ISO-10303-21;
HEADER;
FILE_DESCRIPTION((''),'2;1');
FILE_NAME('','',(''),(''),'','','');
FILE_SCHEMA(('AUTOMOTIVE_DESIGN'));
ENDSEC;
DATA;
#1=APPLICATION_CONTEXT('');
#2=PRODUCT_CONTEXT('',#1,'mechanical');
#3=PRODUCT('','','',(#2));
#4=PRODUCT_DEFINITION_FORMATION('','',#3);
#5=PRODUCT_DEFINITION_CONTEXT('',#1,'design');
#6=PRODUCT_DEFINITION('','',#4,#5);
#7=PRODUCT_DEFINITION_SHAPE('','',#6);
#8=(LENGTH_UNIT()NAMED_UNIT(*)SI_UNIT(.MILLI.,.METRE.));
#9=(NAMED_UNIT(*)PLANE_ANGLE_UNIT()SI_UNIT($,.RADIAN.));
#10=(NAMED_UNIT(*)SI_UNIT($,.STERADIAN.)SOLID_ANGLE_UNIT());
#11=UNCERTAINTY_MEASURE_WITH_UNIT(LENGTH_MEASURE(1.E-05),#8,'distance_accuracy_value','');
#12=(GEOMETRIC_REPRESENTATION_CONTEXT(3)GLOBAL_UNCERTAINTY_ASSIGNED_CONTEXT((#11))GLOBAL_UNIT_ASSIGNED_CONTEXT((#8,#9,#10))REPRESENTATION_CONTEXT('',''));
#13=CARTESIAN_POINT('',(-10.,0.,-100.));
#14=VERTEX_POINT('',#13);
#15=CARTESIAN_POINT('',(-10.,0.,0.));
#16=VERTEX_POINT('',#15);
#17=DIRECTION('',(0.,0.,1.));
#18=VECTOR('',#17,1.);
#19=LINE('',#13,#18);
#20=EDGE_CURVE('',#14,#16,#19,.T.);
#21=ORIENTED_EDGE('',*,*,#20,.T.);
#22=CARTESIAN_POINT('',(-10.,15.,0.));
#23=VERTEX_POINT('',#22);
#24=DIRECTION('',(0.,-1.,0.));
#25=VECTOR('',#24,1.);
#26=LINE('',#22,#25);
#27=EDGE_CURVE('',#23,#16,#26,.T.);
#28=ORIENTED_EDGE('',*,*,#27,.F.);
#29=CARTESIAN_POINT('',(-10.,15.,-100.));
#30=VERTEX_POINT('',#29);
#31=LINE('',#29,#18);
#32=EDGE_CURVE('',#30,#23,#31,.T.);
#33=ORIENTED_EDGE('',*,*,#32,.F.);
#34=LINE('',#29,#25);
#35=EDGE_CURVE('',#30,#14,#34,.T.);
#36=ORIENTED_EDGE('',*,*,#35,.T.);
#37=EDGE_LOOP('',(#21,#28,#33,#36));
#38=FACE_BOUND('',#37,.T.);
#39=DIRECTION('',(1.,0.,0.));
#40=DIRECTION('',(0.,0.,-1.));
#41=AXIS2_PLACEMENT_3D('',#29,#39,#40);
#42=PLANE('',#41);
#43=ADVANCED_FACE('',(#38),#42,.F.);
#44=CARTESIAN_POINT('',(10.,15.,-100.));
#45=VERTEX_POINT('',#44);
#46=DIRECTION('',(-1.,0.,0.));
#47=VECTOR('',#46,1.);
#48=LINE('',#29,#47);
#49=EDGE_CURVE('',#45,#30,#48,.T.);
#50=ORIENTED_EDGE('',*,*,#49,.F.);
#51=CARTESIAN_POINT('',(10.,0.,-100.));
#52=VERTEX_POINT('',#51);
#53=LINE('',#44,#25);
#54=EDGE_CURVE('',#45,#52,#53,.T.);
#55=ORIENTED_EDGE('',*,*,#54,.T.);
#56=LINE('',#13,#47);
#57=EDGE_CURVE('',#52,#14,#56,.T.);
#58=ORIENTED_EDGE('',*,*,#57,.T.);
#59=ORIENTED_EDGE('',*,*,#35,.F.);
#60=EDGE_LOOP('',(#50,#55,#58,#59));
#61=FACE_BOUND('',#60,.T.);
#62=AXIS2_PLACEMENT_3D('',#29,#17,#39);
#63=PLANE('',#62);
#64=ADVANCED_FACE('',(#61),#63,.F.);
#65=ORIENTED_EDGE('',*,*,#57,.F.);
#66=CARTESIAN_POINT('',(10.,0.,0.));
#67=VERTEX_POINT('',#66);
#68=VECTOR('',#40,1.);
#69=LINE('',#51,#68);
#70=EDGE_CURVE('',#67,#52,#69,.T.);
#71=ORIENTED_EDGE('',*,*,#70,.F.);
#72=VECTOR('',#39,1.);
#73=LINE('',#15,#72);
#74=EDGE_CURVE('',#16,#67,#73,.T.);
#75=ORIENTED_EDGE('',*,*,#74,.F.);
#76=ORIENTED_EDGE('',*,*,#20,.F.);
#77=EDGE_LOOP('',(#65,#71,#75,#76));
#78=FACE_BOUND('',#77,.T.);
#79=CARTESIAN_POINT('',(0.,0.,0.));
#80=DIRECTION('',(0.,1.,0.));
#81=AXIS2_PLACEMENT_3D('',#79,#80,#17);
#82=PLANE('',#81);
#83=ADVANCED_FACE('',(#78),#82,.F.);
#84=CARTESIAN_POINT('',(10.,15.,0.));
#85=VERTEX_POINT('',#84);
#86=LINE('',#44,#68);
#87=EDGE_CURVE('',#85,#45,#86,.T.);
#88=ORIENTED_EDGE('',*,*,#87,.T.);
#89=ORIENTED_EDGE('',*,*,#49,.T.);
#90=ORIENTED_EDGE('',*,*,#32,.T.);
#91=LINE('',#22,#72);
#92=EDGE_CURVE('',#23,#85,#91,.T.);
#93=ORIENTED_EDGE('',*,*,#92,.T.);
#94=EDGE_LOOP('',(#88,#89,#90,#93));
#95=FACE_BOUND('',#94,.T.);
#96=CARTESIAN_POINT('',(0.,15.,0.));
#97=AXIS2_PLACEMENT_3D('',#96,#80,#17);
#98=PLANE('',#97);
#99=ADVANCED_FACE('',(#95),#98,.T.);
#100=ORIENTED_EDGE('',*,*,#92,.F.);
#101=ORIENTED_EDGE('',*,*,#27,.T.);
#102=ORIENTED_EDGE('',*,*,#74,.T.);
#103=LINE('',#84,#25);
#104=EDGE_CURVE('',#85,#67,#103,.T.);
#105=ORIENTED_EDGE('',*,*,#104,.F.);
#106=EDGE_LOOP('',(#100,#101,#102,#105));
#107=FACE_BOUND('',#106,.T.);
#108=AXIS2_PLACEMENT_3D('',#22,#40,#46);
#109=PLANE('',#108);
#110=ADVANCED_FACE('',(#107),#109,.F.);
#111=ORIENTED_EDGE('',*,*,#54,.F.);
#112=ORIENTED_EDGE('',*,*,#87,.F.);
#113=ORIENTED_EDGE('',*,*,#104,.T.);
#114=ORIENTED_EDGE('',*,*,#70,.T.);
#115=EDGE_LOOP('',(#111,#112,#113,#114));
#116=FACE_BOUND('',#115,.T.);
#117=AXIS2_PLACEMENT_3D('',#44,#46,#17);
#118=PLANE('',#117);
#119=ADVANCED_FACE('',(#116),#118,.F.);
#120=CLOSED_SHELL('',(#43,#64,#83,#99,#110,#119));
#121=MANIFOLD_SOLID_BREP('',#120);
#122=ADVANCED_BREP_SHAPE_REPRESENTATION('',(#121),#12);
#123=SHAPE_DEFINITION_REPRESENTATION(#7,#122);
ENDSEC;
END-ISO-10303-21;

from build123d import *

# Parameters (mm, degrees)
SKETCH_1_W      = 20
SKETCH_1_H      = 100
EXTRUDE_1_DEPTH = 15


with BuildPart() as part:
    # 草图1 → 凸台-拉伸1 (new body)
    with BuildSketch(Plane(origin=(0, 0, 0), x_dir=(1, 0, 0), z_dir=(0, 1, 0))):
        with Locations((0, 50)):
            Rectangle(SKETCH_1_W, SKETCH_1_H)
    extrude(amount=EXTRUDE_1_DEPTH)


solid = part.part
